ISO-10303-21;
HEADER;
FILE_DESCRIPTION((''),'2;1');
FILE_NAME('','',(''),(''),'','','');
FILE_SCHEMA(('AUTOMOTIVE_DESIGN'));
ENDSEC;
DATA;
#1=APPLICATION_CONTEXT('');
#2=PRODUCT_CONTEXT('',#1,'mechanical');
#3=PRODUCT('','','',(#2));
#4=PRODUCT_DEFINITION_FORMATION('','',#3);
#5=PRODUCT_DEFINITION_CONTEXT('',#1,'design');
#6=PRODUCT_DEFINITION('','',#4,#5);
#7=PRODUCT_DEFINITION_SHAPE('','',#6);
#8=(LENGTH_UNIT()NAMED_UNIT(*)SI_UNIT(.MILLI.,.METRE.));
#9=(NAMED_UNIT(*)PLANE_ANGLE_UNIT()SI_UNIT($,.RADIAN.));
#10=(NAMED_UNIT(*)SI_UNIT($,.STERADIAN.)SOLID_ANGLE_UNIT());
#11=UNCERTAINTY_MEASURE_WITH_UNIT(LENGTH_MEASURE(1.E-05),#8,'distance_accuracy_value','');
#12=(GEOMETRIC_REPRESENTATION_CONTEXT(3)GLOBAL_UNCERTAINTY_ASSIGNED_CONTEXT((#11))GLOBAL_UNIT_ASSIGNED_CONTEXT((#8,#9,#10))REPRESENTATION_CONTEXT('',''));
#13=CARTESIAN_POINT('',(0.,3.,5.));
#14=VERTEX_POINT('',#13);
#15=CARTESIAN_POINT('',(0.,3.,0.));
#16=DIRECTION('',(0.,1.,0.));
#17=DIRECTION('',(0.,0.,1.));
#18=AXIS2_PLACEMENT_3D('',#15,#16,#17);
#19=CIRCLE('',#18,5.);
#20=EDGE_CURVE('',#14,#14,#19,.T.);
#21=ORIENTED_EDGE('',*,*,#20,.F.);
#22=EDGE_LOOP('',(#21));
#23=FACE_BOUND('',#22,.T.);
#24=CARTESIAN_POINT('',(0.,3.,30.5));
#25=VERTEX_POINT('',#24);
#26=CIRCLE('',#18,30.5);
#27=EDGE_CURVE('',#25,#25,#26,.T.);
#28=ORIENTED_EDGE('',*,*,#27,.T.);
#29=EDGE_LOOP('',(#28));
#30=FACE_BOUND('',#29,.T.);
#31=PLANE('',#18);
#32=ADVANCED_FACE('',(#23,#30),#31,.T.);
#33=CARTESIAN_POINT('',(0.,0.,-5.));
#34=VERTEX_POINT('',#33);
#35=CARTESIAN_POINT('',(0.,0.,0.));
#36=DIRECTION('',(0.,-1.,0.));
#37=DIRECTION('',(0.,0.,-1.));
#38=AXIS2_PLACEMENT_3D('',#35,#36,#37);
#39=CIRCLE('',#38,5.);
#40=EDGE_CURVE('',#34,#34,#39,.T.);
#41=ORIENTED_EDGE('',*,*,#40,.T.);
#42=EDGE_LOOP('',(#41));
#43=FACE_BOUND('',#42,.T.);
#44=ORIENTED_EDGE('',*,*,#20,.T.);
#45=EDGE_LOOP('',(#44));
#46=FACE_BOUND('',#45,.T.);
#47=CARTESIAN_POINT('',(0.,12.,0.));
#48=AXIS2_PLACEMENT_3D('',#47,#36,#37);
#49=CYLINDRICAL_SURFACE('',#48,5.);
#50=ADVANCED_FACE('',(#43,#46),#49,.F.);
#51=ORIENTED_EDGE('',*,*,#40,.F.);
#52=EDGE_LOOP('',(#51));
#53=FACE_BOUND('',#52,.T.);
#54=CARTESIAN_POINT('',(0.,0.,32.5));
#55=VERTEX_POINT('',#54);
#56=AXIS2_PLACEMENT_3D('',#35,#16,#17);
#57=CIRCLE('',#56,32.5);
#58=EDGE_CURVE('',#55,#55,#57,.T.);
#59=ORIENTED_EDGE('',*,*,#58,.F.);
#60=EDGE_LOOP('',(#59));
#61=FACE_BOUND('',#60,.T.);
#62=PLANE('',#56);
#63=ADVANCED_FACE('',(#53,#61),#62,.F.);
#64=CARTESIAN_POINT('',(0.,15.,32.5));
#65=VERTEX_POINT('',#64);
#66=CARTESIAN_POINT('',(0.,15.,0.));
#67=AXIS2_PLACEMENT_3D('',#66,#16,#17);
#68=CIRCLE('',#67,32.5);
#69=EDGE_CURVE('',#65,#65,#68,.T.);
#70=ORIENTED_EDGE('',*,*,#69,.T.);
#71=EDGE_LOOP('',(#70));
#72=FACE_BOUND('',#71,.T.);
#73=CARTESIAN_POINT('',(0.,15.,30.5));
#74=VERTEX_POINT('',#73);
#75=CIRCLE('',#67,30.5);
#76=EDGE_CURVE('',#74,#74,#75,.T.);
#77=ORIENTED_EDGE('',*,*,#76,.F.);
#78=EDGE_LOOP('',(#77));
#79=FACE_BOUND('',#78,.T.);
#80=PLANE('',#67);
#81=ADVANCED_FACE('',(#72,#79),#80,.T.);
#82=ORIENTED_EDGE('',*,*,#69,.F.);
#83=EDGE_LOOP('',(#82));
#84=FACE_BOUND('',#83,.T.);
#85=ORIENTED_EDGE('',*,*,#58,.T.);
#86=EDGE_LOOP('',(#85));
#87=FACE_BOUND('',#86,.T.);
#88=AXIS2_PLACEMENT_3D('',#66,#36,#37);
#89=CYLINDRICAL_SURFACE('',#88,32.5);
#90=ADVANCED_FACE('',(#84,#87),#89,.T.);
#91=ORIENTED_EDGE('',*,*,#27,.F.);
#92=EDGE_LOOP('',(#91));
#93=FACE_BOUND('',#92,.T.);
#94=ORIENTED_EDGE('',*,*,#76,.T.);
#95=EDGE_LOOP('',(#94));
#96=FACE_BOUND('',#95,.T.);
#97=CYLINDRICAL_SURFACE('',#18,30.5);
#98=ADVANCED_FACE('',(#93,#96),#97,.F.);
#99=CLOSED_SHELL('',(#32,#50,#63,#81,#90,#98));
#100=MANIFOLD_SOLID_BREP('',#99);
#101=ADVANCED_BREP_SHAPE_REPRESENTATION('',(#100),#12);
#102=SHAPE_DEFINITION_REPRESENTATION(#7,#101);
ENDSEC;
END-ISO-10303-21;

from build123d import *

# Parameters (mm, degrees)
IZIM1_R                     = 32.5
Y_KSEKLIK_EKSTR_ZYON2_DEPTH = 15
IZIM3_R                     = 30.5
KES_EKSTR_ZYON1_DEPTH       = 12
IZIM4_R                     = 5
KES_EKSTR_ZYON2_DEPTH       = 12


with BuildPart() as part:
    # Çizim1 → Yükseklik-Ekstrüzyon2 (new body)
    with BuildSketch(Plane(origin=(0, 0, 0), x_dir=(1, 0, 0), z_dir=(0, 1, 0))):
        Circle(IZIM1_R)
    extrude(amount=Y_KSEKLIK_EKSTR_ZYON2_DEPTH)

    # Çizim3 → Kes-Ekstrüzyon1 (cut)
    with BuildSketch(Plane(origin=(0, 15, 0), x_dir=(1, 0, 0), z_dir=(0, 1, 0))):
        Circle(IZIM3_R)
    extrude(amount=-KES_EKSTR_ZYON1_DEPTH, mode=Mode.SUBTRACT)

    # Çizim4 → Kes-Ekstrüzyon2 (cut)
    with BuildSketch(Plane.XZ):
        Circle(IZIM4_R)
    extrude(amount=-KES_EKSTR_ZYON2_DEPTH, mode=Mode.SUBTRACT)


solid = part.part
